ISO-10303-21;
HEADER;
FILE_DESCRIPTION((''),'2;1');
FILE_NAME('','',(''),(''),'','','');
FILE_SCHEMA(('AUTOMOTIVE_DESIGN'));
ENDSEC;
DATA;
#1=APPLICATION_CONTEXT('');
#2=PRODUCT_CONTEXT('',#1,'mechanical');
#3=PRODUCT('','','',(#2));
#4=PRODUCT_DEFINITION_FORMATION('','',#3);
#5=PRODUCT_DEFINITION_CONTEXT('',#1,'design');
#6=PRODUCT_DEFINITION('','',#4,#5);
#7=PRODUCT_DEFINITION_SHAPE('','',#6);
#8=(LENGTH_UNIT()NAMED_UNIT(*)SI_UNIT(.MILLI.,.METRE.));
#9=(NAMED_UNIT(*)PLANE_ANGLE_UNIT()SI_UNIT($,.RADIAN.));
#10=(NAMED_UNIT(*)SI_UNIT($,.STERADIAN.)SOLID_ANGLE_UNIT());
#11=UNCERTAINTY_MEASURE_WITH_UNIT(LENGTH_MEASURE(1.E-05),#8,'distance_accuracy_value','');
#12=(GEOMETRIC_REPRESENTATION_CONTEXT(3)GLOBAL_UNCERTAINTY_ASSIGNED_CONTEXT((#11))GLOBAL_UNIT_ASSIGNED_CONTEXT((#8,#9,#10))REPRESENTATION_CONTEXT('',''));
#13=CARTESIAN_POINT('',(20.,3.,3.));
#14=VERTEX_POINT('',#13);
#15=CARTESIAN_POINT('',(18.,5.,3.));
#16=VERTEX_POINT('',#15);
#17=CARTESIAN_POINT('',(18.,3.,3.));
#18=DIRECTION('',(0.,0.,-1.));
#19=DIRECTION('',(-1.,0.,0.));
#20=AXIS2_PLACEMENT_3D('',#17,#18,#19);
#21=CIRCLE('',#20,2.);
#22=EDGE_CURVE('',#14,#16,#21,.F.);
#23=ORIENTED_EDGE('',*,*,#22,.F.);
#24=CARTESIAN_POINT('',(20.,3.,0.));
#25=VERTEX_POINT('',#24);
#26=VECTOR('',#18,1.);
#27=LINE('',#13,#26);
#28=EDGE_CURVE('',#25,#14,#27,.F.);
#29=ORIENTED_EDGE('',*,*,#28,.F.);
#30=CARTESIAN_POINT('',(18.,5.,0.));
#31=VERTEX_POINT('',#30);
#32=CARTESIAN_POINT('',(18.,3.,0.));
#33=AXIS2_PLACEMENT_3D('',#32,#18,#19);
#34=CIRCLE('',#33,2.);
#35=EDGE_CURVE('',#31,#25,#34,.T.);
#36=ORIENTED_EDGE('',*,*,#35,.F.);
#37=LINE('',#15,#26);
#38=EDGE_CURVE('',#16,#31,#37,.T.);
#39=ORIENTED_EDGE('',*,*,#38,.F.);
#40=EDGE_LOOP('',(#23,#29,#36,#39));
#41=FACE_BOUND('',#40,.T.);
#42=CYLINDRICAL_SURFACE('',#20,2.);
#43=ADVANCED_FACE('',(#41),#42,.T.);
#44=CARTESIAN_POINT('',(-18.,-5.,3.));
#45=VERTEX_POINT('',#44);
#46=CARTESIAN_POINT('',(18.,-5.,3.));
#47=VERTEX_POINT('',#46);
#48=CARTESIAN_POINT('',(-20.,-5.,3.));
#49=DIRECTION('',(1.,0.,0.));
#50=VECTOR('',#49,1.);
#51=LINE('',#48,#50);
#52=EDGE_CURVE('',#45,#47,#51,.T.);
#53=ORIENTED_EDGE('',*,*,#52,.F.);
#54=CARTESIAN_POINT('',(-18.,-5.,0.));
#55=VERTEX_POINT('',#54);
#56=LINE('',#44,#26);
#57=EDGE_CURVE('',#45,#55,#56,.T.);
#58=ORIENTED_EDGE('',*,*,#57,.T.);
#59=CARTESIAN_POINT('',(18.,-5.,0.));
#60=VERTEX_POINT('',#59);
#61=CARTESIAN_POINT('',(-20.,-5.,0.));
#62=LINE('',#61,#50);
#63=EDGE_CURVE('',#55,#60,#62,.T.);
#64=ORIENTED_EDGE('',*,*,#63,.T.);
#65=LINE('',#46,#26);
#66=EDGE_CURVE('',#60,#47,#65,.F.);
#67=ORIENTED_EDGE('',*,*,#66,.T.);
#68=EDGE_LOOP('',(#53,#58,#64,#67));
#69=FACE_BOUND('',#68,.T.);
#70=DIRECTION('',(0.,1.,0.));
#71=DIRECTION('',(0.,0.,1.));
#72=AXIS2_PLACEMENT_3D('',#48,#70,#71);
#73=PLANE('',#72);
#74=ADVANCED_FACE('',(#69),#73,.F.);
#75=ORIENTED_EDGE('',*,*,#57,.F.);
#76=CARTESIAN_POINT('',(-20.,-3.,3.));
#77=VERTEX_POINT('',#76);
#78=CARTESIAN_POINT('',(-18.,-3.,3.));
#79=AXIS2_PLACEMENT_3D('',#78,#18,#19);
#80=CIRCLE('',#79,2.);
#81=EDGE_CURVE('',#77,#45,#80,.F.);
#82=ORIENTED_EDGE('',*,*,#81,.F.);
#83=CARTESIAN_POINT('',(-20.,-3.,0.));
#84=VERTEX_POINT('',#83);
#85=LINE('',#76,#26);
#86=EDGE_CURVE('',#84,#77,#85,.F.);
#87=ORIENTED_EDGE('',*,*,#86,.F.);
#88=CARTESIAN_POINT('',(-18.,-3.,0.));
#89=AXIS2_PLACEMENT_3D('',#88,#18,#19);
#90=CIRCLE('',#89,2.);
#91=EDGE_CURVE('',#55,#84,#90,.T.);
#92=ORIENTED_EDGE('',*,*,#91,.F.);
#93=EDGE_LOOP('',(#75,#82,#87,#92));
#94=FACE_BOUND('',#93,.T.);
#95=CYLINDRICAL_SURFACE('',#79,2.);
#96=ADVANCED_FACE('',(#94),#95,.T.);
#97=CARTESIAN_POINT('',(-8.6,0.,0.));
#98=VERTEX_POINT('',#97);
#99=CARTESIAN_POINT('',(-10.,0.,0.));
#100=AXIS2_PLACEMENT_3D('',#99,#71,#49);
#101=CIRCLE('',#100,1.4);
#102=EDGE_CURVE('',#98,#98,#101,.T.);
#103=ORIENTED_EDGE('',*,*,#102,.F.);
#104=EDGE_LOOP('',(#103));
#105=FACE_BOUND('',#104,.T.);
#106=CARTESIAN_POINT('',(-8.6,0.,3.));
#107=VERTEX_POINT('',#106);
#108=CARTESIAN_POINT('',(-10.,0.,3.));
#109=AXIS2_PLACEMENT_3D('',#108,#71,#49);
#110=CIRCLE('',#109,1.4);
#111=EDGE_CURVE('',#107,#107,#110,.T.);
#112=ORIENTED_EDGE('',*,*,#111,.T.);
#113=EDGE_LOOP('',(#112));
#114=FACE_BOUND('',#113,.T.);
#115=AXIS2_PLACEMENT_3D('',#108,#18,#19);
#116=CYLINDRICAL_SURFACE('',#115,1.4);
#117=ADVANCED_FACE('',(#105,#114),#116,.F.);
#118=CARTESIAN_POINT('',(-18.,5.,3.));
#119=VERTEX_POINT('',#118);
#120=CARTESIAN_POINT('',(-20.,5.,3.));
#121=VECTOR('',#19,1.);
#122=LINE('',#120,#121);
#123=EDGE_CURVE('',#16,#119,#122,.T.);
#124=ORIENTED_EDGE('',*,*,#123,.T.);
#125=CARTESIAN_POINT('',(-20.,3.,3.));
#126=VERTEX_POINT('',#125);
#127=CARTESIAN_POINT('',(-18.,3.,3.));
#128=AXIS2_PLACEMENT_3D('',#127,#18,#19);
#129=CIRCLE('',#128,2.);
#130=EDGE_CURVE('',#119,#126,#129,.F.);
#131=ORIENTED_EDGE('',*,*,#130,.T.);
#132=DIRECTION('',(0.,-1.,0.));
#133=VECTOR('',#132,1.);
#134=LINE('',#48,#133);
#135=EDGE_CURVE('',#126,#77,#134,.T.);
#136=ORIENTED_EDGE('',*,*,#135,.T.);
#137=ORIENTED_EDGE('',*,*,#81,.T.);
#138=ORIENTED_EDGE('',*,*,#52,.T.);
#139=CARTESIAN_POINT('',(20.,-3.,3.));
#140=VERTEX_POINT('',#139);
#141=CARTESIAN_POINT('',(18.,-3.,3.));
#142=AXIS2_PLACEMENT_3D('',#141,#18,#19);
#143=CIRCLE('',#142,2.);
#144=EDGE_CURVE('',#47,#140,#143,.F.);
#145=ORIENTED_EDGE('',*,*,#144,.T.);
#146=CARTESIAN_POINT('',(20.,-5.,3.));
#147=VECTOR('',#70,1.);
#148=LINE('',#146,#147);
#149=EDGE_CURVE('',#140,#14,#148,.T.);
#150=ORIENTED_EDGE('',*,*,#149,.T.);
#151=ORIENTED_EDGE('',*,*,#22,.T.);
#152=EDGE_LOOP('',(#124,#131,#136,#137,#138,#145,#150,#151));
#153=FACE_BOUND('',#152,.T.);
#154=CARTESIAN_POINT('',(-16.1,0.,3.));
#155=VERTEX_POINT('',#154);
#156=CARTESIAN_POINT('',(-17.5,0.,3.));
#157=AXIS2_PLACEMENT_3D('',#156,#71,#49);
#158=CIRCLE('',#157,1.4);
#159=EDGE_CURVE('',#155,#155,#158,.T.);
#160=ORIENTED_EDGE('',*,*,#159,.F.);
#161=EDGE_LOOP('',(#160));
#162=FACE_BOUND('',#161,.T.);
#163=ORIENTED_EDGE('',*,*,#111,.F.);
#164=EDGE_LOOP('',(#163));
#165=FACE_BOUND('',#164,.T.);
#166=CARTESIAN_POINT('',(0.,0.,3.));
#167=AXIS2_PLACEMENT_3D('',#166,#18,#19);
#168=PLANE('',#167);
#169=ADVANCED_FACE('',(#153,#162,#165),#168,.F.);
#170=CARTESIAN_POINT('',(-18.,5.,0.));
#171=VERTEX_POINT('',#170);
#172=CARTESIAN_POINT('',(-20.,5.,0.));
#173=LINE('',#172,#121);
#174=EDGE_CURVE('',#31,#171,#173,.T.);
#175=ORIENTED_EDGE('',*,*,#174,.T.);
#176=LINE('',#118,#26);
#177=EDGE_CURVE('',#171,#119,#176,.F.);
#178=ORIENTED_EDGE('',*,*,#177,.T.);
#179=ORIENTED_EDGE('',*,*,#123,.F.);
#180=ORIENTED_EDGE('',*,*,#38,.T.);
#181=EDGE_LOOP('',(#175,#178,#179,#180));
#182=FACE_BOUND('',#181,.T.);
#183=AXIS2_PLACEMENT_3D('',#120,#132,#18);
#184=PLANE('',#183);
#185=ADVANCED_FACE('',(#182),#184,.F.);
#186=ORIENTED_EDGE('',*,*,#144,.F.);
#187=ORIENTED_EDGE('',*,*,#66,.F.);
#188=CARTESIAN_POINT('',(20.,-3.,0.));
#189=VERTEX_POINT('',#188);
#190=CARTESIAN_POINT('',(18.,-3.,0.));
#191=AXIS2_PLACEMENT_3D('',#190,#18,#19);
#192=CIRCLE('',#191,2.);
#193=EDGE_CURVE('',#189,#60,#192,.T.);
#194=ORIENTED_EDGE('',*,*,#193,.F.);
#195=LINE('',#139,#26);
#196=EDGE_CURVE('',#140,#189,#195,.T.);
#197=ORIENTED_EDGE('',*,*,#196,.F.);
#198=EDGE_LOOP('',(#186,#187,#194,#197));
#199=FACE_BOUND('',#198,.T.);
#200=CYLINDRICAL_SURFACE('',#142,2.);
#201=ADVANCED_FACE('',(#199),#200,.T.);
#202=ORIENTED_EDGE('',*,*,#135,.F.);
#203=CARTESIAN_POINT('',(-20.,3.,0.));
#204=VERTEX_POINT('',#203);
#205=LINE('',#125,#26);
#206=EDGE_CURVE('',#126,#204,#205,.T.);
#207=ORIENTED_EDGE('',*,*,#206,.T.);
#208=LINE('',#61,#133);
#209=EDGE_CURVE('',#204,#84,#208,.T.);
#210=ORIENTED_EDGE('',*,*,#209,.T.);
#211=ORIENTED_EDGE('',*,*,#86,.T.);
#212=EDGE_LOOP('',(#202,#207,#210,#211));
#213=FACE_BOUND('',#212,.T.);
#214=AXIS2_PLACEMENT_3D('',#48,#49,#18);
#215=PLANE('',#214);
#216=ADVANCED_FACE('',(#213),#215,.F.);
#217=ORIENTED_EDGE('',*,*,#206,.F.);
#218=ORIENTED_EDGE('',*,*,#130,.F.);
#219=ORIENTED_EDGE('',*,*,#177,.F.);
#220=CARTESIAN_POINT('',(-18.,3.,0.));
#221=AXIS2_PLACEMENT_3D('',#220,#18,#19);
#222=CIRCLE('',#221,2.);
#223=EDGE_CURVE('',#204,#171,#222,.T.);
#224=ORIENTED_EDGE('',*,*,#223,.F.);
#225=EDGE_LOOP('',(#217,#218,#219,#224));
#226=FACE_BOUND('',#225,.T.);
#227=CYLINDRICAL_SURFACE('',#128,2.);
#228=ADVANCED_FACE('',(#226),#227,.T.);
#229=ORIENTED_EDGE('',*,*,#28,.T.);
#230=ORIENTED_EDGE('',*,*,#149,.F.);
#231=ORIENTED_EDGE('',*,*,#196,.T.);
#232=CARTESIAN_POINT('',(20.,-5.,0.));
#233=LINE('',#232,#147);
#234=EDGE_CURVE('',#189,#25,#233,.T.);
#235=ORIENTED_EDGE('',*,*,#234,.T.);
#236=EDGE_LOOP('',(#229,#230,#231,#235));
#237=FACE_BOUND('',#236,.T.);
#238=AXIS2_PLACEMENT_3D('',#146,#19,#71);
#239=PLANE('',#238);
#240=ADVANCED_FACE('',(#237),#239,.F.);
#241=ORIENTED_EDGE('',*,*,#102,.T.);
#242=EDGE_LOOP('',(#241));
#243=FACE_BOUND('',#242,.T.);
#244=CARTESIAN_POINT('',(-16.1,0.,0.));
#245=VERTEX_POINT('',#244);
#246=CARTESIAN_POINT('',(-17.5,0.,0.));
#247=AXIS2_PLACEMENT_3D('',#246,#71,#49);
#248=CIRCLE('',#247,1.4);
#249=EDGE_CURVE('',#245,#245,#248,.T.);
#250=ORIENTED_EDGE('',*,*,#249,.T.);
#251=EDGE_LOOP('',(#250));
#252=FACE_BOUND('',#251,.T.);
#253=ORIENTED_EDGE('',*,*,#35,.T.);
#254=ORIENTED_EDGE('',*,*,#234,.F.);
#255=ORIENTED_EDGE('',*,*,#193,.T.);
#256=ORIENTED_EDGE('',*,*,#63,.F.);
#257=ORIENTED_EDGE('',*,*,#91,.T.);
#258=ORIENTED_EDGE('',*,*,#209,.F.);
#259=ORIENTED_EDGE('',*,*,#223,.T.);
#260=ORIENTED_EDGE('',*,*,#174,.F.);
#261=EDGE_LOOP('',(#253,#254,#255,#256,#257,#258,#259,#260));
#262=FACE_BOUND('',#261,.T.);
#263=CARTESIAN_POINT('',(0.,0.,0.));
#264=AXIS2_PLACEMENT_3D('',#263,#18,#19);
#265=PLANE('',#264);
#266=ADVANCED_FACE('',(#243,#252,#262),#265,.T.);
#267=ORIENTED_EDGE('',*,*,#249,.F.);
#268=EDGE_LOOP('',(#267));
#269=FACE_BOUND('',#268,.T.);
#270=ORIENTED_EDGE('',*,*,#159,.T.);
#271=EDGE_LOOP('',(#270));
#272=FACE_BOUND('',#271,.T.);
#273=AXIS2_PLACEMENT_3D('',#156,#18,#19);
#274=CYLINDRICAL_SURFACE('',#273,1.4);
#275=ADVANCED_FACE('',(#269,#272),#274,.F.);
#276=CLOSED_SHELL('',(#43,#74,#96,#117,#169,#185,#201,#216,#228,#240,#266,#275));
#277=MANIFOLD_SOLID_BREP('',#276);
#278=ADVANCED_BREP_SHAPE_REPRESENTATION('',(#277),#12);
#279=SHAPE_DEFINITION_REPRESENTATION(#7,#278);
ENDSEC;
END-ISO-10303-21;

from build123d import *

# Parameters (mm, degrees)
ESQUISSE1_W        = 40
ESQUISSE1_H        = 10
ESQUISSE1_R        = 1.4
BOSS_EXTRU_1_DEPTH = 3
CONG_1_R           = 2


with BuildPart() as part:
    # Esquisse1 → Boss.-Extru.1 (new body)
    with BuildSketch(Plane.XY):
        Rectangle(ESQUISSE1_W, ESQUISSE1_H)
        with Locations((-10, 0)):
            Circle(ESQUISSE1_R, mode=Mode.SUBTRACT)
        with Locations((-17.5, 0)):
            Circle(ESQUISSE1_R, mode=Mode.SUBTRACT)
    extrude(amount=BOSS_EXTRU_1_DEPTH)

    # Congé1
    cong_1_edges = [part.edges().sort_by_distance(p)[0] for p in [
        (20, -5, 1.5),
        (-20, -5, 1.5),
        (-20, 5, 1.5),
        (20, 5, 1.5),
    ]]
    fillet(cong_1_edges, radius=CONG_1_R)


solid = part.part
